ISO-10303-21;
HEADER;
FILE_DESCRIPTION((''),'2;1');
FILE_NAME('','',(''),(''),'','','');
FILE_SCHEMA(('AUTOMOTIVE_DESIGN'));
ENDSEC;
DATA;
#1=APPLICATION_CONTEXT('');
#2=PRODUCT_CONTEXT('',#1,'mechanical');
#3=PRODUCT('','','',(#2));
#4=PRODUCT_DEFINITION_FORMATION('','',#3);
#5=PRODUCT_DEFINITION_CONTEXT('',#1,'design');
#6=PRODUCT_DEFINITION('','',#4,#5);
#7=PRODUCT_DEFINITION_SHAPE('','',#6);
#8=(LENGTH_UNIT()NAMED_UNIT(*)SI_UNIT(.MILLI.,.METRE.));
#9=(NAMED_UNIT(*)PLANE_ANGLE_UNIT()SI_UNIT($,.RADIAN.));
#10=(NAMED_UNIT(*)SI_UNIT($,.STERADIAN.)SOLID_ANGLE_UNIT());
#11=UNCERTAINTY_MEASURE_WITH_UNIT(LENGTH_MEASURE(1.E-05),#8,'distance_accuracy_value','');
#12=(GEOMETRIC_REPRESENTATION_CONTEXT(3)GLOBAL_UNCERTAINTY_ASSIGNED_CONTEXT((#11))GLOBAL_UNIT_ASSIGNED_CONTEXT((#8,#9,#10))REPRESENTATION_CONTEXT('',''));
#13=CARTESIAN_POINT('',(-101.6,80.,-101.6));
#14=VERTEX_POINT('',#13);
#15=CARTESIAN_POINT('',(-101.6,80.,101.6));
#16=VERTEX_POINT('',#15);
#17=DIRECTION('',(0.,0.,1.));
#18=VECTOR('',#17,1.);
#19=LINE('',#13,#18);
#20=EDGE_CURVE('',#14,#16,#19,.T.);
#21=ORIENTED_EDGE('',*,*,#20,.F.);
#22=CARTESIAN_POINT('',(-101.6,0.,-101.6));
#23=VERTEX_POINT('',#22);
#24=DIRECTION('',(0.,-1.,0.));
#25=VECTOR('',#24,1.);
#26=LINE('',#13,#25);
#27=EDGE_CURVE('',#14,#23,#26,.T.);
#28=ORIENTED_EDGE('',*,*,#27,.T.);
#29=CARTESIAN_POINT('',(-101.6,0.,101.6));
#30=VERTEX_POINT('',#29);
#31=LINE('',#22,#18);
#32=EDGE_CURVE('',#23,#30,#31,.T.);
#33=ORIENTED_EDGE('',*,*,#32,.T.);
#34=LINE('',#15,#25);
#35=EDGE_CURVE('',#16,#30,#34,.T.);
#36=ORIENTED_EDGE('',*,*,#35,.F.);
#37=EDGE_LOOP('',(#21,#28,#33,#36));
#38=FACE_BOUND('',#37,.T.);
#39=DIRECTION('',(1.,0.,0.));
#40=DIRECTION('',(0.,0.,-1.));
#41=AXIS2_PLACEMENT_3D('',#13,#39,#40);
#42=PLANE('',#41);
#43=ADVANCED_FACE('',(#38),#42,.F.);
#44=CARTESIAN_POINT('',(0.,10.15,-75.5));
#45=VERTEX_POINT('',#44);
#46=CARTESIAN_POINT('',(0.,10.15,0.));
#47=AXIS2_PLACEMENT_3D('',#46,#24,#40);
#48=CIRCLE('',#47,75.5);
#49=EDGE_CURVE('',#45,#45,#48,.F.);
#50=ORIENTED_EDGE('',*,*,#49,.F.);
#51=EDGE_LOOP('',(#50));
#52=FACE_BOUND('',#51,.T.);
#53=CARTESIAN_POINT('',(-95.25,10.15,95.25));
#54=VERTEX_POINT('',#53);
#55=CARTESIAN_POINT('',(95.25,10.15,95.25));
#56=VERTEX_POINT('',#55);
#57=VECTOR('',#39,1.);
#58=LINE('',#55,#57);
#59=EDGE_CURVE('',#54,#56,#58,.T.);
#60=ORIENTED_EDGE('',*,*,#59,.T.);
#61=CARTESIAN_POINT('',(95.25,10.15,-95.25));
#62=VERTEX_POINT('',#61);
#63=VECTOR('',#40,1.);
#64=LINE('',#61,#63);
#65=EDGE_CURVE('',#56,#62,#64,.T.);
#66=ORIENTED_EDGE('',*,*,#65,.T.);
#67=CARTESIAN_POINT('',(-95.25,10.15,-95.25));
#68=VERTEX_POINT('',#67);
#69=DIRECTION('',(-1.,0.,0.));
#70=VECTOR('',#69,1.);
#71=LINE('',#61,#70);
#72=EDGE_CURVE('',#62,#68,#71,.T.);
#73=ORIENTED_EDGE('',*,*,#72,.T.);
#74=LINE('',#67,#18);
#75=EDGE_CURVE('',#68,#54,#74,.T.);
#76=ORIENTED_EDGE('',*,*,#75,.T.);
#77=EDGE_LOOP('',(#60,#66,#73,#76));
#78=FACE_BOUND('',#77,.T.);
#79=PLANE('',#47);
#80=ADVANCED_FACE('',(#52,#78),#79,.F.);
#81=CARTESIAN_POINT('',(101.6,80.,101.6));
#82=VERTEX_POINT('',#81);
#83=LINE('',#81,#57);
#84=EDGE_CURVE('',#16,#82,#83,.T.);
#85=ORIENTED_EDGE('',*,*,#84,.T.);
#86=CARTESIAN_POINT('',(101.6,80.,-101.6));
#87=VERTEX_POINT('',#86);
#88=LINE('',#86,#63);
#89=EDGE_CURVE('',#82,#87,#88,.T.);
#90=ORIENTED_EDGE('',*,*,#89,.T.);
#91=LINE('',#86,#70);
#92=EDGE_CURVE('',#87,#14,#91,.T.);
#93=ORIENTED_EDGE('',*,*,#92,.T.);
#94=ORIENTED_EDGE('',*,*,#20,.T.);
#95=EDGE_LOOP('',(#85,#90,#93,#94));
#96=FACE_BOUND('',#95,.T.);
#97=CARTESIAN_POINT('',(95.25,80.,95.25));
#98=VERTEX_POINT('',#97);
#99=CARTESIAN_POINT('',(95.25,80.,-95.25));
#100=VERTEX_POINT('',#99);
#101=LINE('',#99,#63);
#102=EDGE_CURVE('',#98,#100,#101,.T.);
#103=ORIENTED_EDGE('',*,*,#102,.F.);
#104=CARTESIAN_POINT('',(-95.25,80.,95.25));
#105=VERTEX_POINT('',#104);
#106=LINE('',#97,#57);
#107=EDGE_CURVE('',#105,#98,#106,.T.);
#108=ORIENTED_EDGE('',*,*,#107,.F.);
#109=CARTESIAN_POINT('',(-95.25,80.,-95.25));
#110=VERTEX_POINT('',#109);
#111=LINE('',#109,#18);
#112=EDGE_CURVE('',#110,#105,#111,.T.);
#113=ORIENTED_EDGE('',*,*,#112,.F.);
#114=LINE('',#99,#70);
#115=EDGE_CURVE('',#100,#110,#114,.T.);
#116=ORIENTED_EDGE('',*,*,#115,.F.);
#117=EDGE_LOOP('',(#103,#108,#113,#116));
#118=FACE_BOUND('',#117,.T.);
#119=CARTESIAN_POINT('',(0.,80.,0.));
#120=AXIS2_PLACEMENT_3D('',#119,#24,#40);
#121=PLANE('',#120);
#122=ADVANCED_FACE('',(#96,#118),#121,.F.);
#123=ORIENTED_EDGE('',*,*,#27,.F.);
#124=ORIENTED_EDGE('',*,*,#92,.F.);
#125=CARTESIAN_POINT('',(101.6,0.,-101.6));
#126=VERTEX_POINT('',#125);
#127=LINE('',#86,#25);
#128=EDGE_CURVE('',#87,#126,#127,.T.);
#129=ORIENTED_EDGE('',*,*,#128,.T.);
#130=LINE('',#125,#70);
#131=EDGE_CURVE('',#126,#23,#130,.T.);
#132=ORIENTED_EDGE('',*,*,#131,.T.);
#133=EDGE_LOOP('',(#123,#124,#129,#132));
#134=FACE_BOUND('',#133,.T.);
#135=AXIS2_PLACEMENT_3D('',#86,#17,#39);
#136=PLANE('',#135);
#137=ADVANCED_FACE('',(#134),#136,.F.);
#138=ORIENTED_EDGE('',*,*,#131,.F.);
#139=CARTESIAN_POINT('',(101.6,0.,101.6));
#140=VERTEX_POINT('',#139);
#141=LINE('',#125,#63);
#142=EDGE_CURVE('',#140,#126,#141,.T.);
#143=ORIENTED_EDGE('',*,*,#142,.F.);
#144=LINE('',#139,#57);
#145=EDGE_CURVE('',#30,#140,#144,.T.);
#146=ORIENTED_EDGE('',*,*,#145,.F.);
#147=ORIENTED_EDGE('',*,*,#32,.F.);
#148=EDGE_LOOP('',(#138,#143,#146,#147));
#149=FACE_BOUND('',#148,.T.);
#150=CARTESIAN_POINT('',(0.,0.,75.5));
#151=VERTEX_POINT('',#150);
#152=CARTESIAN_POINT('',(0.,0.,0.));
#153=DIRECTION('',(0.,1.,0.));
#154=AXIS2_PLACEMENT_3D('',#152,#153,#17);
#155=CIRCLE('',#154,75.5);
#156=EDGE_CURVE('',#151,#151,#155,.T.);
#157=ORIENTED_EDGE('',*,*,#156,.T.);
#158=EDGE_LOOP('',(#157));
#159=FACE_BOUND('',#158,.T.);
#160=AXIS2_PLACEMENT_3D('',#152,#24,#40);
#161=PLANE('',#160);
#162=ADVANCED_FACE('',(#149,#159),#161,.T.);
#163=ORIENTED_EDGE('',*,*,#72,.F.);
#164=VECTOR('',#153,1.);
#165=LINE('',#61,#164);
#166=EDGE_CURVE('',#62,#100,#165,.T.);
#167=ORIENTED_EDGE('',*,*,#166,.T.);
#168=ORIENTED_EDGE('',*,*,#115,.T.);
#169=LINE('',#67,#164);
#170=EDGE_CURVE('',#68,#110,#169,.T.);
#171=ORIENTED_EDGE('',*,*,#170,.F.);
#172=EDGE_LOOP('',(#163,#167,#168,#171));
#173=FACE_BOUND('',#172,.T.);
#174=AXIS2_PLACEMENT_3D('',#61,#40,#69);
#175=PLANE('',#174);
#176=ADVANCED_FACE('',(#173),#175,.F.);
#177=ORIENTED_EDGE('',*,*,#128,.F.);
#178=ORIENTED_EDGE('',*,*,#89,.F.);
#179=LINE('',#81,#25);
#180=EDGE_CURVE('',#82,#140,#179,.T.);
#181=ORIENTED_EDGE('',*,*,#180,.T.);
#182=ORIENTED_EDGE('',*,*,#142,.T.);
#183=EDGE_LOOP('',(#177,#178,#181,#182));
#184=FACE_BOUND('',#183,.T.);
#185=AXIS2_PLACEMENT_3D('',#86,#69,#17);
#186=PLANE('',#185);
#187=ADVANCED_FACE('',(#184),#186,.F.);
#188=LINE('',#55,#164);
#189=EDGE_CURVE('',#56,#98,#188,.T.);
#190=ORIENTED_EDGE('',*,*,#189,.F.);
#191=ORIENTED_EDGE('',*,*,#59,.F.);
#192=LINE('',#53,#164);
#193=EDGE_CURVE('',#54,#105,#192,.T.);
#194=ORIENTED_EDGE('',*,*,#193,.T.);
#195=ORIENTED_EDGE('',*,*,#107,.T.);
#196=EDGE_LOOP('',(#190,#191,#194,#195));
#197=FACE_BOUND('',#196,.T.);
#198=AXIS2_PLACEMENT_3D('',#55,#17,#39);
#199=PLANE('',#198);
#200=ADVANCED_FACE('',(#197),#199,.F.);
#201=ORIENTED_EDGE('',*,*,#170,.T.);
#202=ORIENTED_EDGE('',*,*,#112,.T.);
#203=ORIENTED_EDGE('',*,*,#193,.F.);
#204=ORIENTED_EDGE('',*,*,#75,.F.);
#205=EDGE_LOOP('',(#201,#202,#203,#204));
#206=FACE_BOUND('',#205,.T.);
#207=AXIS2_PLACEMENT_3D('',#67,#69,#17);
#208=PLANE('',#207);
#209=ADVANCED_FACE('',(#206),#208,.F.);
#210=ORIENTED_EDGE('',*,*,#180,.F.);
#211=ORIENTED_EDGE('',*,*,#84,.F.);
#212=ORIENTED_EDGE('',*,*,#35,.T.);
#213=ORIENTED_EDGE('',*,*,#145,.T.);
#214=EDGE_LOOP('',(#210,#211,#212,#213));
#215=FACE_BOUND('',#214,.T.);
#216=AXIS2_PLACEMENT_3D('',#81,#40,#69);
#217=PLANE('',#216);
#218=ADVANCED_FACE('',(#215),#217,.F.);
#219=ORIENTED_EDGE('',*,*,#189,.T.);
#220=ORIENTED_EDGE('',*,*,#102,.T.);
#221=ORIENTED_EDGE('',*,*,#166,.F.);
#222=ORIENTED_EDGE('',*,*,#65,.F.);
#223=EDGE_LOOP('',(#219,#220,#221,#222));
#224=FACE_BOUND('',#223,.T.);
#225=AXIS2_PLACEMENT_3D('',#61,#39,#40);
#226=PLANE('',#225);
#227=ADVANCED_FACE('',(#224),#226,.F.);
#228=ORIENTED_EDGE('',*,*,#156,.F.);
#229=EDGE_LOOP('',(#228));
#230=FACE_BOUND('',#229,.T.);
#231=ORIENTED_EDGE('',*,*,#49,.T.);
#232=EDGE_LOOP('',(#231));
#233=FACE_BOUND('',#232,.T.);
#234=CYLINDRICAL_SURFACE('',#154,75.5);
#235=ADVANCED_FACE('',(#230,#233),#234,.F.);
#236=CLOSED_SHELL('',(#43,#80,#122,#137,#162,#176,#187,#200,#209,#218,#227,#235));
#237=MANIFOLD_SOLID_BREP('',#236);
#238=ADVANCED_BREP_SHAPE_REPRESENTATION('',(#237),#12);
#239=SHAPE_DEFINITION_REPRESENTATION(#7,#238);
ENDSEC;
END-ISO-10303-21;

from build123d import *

# Parameters (mm, degrees)
SKETCH1_W           = 203.2
SKETCH1_H           = 203.2
BOSS_EXTRUDE1_DEPTH = 80
SKETCH3_R           = 75.5
CUT_EXTRUDE1_DEPTH  = 80
SKETCH4_W           = 190.5
SKETCH4_H           = 190.5
CUT_EXTRUDE2_DEPTH  = 69.85


with BuildPart() as part:
    # Sketch1 → Boss-Extrude1 (new body)
    with BuildSketch(Plane(origin=(0, 0, 0), x_dir=(1, 0, 0), z_dir=(0, 1, 0))):
        Rectangle(SKETCH1_W, SKETCH1_H)
    extrude(amount=BOSS_EXTRUDE1_DEPTH)

    # Sketch3 → Cut-Extrude1 (cut)
    with BuildSketch(Plane(origin=(0, 80, 0), x_dir=(1, 0, 0), z_dir=(0, 1, 0))):
        Circle(SKETCH3_R)
    extrude(amount=-CUT_EXTRUDE1_DEPTH, mode=Mode.SUBTRACT)

    # Sketch4 → Cut-Extrude2 (cut)
    with BuildSketch(Plane(origin=(0, 80, 0), x_dir=(1, 0, 0), z_dir=(0, 1, 0))):
        Rectangle(SKETCH4_W, SKETCH4_H)
    extrude(amount=-CUT_EXTRUDE2_DEPTH, mode=Mode.SUBTRACT)


solid = part.part
